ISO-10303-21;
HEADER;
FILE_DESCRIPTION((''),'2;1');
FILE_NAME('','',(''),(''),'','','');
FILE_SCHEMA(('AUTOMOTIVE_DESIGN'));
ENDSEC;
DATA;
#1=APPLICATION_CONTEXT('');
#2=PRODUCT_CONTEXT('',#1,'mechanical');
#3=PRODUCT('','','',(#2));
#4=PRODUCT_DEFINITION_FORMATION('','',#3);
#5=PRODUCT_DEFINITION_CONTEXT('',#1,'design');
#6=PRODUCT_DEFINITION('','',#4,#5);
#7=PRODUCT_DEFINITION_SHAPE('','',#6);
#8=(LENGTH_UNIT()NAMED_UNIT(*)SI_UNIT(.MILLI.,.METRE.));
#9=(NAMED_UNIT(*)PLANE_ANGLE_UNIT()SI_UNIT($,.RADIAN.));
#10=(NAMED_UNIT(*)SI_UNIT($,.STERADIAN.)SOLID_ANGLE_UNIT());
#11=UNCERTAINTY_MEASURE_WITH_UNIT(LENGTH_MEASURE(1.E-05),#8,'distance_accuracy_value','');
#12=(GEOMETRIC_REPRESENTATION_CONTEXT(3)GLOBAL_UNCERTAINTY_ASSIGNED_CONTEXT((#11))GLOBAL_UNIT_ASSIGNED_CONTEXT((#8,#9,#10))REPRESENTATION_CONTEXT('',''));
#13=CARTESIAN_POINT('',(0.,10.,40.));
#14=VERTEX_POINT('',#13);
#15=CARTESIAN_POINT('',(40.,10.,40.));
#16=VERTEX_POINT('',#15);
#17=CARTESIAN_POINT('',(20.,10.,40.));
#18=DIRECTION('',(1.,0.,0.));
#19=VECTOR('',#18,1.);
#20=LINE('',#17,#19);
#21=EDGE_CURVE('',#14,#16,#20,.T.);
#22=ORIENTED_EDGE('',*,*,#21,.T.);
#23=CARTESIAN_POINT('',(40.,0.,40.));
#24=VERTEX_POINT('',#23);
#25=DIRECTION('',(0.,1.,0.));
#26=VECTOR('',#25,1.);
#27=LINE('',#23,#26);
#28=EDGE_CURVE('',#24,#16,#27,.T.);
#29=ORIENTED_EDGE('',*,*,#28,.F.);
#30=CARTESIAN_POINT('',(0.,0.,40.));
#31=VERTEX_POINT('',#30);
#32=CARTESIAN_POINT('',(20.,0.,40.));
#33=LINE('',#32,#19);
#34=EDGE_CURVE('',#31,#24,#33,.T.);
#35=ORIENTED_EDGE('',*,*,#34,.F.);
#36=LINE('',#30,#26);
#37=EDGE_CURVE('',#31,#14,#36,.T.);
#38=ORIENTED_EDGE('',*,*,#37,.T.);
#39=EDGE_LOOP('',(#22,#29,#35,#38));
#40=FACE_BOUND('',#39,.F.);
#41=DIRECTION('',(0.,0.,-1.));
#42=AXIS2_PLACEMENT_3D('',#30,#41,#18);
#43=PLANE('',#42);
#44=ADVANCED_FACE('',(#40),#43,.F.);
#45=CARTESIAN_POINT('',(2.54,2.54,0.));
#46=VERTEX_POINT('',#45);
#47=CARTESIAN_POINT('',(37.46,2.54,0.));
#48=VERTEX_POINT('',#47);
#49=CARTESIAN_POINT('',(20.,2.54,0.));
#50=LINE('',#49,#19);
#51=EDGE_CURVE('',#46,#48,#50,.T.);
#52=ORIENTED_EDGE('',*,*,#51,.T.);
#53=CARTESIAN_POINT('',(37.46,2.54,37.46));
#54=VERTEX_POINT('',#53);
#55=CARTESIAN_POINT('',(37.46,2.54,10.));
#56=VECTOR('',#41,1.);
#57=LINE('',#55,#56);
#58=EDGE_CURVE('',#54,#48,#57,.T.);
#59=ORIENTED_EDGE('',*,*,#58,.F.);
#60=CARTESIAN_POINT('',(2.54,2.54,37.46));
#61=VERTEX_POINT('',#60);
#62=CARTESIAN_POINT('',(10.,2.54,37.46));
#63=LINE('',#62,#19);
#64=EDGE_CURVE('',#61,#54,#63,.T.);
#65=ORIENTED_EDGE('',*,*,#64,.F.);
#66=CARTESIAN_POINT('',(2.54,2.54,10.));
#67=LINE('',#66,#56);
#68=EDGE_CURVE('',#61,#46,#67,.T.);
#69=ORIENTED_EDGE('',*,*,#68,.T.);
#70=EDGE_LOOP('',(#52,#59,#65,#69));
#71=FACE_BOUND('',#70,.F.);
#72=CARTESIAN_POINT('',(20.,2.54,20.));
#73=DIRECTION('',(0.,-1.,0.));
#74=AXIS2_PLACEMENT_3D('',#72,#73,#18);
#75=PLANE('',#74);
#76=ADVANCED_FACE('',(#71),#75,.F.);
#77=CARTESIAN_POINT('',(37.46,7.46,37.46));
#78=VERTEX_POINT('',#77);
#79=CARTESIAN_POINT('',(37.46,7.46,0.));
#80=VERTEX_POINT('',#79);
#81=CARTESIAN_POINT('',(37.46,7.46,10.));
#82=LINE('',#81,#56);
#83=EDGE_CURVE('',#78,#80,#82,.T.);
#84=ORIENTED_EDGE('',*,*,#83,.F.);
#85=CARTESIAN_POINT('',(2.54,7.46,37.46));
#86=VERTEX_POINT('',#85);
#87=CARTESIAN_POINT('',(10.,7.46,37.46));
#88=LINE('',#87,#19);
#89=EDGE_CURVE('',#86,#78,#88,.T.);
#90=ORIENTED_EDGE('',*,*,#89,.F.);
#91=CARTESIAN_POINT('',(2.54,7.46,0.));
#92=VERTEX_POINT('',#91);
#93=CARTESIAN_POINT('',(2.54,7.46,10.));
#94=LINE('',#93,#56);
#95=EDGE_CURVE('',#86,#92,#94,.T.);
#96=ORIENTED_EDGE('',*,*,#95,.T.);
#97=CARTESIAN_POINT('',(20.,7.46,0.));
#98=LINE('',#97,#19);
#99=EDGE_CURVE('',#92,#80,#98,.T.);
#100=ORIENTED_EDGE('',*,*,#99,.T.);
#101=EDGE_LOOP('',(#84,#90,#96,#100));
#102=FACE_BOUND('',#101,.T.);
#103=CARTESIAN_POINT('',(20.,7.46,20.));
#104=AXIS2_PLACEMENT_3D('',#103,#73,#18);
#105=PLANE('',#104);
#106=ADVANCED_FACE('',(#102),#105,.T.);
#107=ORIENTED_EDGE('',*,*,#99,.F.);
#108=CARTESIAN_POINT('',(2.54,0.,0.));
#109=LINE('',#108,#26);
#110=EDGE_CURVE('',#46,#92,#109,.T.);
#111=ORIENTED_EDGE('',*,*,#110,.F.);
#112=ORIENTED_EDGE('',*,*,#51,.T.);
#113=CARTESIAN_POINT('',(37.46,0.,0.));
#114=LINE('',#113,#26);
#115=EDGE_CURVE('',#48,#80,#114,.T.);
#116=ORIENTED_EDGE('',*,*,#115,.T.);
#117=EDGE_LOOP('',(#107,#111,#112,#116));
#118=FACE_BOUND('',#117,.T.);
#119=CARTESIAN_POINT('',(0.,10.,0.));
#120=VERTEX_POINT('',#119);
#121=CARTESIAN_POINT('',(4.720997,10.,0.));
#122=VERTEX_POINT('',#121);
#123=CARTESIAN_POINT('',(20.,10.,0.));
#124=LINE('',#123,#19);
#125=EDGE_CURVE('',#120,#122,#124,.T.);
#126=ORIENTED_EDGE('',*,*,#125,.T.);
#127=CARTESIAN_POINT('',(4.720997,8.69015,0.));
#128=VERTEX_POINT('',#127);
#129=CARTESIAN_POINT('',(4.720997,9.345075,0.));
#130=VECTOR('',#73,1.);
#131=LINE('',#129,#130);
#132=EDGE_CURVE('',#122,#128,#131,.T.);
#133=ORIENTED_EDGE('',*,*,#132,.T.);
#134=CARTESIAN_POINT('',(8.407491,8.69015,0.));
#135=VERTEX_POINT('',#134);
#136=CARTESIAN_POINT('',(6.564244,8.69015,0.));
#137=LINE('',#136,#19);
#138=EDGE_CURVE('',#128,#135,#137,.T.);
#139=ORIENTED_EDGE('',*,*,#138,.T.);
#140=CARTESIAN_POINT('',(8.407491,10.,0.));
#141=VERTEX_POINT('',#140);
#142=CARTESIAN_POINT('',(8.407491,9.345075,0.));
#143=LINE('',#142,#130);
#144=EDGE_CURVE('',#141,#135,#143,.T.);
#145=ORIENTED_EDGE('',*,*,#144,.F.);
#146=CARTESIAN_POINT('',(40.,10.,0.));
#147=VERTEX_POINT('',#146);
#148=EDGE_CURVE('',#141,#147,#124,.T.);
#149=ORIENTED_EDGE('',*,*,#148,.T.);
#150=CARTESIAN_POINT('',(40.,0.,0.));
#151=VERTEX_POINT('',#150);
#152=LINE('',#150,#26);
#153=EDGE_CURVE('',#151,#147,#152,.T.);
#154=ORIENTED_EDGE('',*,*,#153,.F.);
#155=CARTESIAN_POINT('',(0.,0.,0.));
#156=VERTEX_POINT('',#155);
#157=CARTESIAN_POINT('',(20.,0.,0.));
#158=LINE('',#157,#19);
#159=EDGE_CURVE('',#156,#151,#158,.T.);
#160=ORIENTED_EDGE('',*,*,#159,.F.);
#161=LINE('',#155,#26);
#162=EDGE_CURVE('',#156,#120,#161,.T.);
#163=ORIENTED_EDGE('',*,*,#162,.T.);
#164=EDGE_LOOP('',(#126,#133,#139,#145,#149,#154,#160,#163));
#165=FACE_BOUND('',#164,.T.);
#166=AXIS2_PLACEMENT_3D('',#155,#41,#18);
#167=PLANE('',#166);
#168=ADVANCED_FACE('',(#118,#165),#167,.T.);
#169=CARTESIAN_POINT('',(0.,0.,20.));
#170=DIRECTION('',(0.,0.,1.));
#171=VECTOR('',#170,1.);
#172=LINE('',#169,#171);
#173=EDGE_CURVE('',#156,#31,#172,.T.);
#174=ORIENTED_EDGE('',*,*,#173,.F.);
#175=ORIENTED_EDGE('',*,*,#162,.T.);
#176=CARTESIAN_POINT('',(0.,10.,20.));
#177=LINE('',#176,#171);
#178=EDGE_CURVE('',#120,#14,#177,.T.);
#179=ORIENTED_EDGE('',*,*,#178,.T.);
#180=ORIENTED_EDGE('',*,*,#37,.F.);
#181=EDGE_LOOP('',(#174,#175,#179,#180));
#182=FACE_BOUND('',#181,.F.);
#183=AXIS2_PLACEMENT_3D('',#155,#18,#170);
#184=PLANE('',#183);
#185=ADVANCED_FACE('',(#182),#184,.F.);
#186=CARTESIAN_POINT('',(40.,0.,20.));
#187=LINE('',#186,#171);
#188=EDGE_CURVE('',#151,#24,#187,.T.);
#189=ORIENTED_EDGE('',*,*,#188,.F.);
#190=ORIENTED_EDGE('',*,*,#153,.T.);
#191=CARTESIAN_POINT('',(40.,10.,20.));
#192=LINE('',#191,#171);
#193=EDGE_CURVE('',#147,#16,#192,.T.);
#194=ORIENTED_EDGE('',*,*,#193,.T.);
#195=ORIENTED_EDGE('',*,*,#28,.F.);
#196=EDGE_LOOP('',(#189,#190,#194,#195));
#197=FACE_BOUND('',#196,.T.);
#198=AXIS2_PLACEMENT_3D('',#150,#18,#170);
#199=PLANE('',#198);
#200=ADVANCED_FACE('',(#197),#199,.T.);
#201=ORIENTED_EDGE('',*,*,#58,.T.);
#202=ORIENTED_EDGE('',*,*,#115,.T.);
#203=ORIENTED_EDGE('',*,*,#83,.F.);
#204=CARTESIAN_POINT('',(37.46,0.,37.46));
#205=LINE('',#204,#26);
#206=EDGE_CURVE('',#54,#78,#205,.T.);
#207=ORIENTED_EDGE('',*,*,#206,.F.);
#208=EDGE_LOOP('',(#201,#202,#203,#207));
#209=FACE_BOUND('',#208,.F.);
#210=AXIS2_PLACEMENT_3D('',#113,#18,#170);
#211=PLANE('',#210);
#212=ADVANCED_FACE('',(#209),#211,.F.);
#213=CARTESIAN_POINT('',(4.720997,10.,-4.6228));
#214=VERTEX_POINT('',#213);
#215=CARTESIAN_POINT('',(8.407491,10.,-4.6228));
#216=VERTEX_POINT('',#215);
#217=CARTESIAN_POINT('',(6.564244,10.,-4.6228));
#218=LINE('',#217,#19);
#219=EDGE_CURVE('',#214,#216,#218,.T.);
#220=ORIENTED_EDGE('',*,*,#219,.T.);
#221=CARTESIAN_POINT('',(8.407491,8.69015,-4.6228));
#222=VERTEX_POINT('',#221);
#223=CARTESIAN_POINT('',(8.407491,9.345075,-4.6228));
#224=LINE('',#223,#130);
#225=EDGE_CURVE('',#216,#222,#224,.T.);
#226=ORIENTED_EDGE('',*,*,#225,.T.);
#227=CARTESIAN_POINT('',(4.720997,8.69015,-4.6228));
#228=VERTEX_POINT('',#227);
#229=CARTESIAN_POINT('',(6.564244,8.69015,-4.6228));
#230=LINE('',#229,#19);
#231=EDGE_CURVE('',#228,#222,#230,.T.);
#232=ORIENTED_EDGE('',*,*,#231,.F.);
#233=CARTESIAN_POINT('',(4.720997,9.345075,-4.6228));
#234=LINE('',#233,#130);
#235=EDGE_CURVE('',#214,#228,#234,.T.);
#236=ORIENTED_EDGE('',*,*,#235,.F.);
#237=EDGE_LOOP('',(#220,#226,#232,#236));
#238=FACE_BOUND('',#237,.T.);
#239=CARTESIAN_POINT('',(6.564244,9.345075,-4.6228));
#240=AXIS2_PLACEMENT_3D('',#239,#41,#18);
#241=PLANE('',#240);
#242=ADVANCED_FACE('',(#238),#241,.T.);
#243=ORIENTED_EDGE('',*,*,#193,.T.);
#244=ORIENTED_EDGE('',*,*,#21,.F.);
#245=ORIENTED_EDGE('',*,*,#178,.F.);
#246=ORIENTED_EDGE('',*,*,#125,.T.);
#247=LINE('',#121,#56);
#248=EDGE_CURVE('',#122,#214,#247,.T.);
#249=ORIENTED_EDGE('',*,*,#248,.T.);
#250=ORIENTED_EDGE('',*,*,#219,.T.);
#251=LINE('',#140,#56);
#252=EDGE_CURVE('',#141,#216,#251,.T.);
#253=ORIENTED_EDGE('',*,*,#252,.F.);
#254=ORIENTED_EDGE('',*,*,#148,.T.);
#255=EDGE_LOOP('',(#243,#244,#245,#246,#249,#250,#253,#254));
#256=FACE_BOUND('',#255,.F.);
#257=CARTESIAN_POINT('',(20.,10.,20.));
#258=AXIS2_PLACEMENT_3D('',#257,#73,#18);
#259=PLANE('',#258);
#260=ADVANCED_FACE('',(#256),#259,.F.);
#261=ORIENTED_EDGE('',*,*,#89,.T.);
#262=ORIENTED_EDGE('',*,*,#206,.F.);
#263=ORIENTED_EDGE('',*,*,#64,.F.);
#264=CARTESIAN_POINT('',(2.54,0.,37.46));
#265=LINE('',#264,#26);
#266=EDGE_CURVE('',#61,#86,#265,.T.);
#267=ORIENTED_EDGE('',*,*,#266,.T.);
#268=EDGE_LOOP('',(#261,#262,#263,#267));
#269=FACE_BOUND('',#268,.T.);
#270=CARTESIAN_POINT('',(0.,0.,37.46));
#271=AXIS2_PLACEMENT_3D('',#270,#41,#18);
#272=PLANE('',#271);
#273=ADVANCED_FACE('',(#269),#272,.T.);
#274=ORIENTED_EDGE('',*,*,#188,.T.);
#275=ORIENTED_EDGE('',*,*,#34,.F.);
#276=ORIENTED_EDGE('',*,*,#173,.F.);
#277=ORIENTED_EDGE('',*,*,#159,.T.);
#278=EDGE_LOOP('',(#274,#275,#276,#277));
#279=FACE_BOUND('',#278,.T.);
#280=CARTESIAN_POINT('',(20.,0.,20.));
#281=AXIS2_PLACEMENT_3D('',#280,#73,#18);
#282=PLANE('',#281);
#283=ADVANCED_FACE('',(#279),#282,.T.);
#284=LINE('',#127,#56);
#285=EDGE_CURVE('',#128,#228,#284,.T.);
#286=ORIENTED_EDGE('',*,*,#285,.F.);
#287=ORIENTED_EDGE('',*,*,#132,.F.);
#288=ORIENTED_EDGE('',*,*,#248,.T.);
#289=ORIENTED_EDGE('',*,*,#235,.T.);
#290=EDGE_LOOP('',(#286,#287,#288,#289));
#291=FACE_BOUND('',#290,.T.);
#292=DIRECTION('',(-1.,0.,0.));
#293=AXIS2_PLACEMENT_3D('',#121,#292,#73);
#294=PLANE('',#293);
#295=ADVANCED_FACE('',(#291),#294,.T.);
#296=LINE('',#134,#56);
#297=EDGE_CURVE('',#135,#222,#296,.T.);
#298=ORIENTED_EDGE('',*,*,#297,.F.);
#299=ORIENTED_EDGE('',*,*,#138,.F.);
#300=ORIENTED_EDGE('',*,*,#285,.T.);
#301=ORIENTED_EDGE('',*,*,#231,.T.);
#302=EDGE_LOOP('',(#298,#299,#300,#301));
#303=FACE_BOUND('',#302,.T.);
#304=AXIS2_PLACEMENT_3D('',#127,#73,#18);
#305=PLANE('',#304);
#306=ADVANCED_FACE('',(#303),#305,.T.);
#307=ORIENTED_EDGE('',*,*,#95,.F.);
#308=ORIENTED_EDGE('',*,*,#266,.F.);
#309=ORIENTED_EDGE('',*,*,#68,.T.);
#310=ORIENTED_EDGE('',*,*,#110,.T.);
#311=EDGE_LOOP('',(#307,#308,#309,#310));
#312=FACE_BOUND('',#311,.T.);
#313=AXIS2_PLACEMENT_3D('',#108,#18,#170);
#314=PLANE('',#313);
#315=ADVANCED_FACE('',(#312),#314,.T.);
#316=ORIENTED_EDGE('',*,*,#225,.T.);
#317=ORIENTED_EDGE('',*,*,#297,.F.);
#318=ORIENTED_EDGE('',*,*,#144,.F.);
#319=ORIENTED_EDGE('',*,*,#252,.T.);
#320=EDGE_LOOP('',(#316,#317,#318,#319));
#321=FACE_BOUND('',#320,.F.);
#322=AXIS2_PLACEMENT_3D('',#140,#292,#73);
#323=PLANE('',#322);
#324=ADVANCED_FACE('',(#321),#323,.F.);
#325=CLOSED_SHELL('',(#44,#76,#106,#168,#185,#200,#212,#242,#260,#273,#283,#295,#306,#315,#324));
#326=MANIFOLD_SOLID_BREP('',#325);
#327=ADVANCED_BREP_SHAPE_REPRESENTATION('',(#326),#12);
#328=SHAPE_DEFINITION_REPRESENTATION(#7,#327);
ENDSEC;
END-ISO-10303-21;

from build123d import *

# Parameters (mm, degrees)
F0_W     = 40
F0_H     = 40
F1_DEPTH = 10
F2_T     = -2.54
F3_W     = 3.686494
F3_H     = 1.30985
F4_DEPTH = 4.6228


with BuildPart() as f1:
    # F0 (on Front) → F1 (new body)
    with BuildSketch(Plane.XZ):
        with Locations((20, 20)):
            Rectangle(F0_W, F0_H)
    extrude(amount=-F1_DEPTH)

    # F2
    f2_openings = [f1.faces().sort_by_distance(p)[0] for p in [
        (20, 5, 0),
    ]]
    offset(amount=F2_T, openings=f2_openings)

    # F3 (on face) → F4 (join)
    with BuildSketch(Plane(origin=(0, 0, 0), x_dir=(1, 0, 0), z_dir=(0, 0, -1))):
        with Locations((6.564244, -9.345075)):
            Rectangle(F3_W, F3_H)
    extrude(amount=F4_DEPTH)


solid = f1.part
